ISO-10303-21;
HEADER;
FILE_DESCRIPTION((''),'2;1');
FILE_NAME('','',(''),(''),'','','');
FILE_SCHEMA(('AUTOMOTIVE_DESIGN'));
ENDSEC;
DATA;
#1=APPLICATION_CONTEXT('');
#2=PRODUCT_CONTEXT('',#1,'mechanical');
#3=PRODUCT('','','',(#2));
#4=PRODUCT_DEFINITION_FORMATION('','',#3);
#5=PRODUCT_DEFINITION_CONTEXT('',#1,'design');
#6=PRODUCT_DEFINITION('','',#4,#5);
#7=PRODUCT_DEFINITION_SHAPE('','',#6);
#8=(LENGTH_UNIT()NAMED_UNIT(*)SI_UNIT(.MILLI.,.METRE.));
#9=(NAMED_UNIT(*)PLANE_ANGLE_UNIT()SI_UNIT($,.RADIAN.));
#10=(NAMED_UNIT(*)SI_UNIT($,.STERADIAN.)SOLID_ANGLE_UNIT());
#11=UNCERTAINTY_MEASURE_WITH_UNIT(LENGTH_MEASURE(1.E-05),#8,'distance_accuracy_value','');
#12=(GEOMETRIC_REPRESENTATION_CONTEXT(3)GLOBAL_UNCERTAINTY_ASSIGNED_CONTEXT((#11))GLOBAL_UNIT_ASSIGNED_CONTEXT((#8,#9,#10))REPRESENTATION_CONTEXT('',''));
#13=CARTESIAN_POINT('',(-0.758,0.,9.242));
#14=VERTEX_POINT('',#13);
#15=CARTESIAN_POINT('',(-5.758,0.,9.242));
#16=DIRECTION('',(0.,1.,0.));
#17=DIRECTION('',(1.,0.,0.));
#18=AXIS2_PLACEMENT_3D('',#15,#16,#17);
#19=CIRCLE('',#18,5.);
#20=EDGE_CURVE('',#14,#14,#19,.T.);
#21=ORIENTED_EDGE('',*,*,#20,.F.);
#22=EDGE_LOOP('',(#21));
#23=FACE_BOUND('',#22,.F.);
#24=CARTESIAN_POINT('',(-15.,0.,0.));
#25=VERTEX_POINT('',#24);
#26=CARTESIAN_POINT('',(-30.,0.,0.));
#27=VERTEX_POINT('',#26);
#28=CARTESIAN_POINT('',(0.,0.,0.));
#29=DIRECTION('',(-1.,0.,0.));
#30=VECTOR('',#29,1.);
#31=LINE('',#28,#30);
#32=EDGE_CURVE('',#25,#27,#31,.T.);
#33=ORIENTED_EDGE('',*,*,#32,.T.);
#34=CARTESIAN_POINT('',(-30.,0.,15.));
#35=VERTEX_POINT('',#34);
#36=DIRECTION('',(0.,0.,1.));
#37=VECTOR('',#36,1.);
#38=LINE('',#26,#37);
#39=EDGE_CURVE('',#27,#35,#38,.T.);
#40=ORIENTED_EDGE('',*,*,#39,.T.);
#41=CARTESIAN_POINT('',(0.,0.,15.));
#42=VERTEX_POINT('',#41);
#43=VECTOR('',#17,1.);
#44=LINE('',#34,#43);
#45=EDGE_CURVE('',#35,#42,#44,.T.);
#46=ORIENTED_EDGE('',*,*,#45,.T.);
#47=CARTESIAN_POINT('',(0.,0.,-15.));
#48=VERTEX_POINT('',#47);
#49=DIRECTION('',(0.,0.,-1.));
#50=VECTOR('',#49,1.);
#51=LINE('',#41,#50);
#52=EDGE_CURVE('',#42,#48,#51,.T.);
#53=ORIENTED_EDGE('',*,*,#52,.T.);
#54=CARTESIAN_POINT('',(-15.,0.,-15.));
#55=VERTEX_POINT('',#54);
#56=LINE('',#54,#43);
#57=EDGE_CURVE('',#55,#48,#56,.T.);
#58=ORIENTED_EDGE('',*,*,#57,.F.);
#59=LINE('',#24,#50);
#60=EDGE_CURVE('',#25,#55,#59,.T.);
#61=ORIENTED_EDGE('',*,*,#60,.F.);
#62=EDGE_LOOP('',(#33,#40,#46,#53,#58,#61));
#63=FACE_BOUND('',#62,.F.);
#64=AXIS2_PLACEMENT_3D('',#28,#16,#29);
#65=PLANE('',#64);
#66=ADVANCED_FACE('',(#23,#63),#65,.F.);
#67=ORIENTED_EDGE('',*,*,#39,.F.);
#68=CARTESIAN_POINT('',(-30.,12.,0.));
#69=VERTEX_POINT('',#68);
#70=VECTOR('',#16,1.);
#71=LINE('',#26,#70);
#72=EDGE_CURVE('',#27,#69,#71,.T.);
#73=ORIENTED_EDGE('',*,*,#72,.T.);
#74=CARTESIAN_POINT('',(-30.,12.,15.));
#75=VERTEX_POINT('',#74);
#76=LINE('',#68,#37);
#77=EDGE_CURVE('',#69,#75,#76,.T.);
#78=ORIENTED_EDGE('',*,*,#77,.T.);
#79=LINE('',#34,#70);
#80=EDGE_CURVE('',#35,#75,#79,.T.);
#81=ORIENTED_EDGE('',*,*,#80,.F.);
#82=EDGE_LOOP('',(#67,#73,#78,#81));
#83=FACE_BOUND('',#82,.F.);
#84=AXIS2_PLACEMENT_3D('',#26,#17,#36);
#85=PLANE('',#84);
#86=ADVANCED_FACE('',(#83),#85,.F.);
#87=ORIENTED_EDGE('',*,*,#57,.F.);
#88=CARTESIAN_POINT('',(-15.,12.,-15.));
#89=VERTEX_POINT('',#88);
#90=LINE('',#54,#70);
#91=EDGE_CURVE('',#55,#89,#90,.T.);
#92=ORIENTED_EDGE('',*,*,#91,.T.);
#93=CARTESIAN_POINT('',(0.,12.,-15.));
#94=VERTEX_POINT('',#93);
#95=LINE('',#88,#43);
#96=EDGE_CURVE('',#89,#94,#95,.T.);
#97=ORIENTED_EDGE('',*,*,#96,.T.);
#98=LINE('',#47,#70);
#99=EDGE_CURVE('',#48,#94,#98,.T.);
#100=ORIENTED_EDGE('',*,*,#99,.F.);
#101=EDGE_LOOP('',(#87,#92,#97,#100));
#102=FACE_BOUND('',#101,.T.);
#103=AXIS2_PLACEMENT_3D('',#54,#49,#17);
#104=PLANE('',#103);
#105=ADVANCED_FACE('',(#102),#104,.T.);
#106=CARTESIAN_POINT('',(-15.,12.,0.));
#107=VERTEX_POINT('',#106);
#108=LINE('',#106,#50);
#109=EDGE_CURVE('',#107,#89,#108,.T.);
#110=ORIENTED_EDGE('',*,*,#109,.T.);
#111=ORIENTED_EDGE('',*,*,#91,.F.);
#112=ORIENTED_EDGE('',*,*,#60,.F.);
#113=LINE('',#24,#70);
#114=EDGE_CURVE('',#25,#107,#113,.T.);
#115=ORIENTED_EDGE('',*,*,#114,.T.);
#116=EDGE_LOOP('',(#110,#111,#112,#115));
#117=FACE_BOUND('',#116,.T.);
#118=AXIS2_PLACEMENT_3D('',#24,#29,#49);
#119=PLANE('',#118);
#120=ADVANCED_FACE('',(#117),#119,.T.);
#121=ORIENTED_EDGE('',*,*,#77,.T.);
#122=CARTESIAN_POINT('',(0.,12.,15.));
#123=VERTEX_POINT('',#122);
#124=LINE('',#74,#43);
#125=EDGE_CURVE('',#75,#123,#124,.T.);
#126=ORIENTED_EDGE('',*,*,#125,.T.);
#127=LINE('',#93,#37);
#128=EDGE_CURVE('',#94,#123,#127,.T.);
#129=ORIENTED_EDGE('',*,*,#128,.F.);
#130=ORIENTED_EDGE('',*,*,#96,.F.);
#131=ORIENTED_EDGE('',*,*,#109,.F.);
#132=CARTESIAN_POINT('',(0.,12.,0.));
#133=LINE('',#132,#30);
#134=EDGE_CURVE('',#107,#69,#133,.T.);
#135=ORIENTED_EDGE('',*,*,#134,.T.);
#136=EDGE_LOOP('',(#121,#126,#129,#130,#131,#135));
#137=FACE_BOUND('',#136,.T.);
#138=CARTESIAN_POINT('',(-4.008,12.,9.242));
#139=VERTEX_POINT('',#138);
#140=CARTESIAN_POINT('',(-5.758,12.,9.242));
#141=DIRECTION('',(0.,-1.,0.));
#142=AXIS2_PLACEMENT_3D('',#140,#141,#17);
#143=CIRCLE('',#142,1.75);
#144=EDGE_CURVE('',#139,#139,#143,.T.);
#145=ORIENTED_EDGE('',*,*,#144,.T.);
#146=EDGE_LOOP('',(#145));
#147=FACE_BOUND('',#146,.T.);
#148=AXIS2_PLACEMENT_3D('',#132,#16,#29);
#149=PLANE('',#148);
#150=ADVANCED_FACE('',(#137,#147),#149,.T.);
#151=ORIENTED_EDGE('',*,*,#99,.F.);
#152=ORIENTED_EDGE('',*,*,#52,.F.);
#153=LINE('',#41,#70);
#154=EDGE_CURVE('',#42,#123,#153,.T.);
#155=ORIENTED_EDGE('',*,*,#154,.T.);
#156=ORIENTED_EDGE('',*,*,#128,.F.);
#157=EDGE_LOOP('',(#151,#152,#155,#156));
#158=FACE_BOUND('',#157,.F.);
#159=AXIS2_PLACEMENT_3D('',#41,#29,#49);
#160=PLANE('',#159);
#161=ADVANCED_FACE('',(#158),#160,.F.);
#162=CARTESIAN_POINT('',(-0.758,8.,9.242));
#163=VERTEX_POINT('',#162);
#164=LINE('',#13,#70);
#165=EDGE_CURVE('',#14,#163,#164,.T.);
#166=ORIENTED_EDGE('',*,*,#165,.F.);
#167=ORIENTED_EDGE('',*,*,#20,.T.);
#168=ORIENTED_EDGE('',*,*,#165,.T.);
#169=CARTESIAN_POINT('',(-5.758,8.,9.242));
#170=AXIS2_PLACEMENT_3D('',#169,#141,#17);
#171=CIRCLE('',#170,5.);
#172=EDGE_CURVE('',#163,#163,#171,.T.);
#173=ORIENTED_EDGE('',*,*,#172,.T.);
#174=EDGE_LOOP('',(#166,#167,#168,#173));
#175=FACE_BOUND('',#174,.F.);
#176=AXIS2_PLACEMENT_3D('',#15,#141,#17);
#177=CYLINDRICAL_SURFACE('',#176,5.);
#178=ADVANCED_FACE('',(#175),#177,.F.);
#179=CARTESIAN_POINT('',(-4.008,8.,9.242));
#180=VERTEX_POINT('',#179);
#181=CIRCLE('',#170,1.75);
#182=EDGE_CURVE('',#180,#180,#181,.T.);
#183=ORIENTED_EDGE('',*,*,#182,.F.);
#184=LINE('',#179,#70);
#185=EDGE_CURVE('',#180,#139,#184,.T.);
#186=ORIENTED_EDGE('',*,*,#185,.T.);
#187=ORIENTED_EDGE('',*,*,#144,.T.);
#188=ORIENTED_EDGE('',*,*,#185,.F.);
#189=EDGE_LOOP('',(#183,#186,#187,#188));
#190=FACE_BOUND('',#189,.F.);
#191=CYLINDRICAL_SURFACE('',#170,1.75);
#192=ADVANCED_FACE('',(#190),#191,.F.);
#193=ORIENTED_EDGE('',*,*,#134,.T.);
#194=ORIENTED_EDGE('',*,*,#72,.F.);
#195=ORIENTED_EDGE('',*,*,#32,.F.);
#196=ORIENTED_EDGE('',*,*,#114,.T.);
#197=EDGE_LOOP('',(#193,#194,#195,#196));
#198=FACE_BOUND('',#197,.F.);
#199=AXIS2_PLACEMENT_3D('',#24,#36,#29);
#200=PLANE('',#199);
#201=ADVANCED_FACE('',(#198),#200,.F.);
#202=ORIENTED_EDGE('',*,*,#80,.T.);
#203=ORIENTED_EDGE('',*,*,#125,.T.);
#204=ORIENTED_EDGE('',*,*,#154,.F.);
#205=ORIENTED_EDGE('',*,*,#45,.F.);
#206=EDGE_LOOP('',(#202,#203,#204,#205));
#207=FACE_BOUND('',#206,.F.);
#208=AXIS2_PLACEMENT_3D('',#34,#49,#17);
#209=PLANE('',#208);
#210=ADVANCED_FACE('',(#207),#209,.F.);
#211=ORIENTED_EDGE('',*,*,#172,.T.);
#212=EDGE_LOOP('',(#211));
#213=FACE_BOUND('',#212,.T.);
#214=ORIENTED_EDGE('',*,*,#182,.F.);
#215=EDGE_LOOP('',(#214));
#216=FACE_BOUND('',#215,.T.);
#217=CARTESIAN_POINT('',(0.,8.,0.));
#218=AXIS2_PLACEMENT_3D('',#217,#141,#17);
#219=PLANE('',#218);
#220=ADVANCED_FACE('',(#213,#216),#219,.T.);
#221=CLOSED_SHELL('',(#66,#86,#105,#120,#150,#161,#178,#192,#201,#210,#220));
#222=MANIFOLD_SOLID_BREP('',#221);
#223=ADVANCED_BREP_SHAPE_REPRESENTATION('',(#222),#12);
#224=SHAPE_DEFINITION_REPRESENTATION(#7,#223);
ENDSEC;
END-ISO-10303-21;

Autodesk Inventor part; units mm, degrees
ref_plane "YZ Plane" through (0, 0, 0) normal (1, 0, 0) x (0, 1, 0)
ref_plane "XZ Plane" through (0, 0, 0) normal (0, 1, 0) x (-1, 0, 0)
ref_plane "XY Plane" through (0, 0, 0) normal (0, 0, 1) x (1, 0, 0)
sketch "Szkic1" plane through (0, 0, 0) normal (0, 1, 0) x (-1, 0, 0)
  line L0 (0, 0) -> (30, 0)
  line L1 (30, 0) -> (30, 15)
  line L2 (30, 15) -> (0, 15)
  line L3 (0, 15) -> (0, 0)
  line L4 (0, 0) -> (15, 0)
  line L5 (15, 0) -> (15, -15)
  line L6 (15, -15) -> (0, -15)
  line L7 (0, -15) -> (0, 0)
  dimension "d0" = 30
  dimension "d1" = 15
  dimension "d2" = 15
  dimension "d3" = 15
extrude "Wyciągnięcie proste1" add sketch "Szkic1" along normal blind 12
sketch "Szkic2" plane through (0, 0, 0) normal (0, -1, 0) x (1, 0, 0)
  line L0 (0, 9.242) -> (-5.758, 9.242)
  line L1 (-30, 15) -> (0, 15) projected
  line L2 (-5.758, 15) -> (-5.758, 9.242)
  circle A0 centre (-5.758, 9.242) radius 5
  point P0 (0, 0)
  dimension "d6" = 5.758
  dimension "d7" = 5.758
  dimension "d8" = 10
extrude "Wyciągnięcie proste2" cut sketch "Szkic2" against normal blind 8
sketch "Szkic3" plane through (-5.758, 8, 9.242) normal (0, -1, 0) x (1, 0, 0)
  circle A0 centre (0, 0) radius 5 projected
  circle A1 centre (0, 0) radius 1.75
  point P0 (5.758, -9.242)
  dimension "d11" = 3.5
extrude "Wyciągnięcie proste3" cut sketch "Szkic3" against normal blind 4 contours A1
thread "Gwint1" size "M3.5x0.6" class "6H" standard "ANSI Metric M Profile" full length
properties part number "Footer"
